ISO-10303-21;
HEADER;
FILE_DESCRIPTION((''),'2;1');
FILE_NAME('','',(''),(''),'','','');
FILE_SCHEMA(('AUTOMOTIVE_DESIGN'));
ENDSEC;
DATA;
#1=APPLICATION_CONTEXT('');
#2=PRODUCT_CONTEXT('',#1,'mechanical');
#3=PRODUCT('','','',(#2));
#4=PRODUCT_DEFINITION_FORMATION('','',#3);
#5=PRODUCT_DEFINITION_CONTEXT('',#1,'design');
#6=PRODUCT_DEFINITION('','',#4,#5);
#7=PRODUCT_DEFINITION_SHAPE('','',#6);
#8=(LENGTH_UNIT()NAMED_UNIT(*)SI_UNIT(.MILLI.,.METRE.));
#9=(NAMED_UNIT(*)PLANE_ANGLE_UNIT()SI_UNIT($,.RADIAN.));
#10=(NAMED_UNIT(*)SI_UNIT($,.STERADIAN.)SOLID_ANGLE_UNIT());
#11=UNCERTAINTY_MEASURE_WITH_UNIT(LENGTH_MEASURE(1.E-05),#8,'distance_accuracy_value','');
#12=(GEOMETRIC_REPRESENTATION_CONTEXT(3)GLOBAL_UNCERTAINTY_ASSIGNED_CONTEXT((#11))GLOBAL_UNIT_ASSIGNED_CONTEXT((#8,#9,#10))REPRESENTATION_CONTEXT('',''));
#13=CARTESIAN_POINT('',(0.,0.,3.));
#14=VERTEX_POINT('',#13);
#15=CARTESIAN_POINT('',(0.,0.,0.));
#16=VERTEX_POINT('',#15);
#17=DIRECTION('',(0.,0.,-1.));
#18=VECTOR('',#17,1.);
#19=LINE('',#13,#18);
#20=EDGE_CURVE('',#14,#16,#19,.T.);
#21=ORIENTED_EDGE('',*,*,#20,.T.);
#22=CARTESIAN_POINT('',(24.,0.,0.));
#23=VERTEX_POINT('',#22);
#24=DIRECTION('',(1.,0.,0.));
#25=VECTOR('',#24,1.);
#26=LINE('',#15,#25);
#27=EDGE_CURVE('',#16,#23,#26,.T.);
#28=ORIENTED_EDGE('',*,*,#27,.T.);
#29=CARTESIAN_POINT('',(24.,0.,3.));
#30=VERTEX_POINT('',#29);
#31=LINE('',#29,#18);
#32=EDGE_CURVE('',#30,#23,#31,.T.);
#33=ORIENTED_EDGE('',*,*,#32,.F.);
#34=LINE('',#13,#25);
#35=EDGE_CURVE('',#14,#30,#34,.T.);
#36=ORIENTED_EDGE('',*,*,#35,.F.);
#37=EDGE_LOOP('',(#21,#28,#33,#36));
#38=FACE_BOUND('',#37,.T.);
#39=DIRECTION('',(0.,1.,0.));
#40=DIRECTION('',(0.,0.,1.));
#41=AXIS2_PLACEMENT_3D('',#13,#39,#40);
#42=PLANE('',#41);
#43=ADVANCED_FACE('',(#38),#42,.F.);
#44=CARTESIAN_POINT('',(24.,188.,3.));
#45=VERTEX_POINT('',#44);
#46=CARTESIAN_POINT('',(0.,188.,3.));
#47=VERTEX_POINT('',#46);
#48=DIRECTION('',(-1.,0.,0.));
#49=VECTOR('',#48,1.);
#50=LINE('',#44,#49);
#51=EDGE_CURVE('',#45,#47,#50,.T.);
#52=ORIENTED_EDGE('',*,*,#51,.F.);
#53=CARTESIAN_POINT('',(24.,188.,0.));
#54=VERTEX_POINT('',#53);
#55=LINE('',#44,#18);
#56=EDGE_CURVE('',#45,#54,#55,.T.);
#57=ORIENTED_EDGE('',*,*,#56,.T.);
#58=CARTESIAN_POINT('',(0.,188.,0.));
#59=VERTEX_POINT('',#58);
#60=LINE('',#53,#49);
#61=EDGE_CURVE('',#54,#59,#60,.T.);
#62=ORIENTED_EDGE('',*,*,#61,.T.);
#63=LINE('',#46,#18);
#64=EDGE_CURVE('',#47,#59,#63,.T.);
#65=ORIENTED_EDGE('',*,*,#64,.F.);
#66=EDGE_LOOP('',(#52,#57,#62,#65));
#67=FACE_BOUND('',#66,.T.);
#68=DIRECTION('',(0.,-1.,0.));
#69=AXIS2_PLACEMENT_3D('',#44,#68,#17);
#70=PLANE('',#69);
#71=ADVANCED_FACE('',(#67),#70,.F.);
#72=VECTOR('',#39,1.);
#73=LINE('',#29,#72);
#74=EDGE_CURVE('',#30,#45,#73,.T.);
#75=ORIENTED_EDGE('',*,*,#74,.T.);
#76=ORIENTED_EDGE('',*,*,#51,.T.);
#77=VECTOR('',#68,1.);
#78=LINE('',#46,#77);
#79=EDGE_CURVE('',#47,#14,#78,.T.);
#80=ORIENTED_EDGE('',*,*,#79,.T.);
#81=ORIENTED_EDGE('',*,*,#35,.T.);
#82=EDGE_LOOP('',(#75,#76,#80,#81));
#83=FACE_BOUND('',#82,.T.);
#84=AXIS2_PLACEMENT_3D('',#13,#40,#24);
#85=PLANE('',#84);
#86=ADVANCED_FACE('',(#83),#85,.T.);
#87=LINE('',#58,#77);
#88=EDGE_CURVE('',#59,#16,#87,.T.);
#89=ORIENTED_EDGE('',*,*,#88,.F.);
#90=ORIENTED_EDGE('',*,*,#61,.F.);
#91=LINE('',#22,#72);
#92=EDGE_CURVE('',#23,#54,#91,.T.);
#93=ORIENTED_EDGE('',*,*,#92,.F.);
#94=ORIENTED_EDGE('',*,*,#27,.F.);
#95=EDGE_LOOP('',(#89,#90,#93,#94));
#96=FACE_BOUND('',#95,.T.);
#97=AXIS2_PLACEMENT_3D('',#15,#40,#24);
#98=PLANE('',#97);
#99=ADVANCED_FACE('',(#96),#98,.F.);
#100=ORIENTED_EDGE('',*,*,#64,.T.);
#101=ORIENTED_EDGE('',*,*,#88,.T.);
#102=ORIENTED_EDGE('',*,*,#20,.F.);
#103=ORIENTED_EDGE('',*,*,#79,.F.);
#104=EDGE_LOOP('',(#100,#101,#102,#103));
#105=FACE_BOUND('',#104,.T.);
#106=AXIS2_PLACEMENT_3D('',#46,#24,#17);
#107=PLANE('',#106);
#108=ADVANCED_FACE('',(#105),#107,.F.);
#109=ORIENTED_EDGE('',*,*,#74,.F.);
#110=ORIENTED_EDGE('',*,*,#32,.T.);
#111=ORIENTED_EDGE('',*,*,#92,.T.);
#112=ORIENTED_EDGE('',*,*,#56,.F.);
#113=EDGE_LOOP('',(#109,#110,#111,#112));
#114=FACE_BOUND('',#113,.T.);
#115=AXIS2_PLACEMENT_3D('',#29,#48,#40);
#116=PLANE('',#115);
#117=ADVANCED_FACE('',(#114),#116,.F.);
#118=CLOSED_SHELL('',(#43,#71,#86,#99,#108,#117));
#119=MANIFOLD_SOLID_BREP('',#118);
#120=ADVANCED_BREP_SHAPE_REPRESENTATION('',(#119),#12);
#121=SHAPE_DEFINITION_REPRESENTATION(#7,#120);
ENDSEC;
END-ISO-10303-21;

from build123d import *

# Parameters (mm, degrees)
SKETCH_1_W         = 24
SKETCH_1_H         = 188
BLOCKEXTRUDE_DEPTH = 3


with BuildPart() as part:
    # 草图1 → BlockExtrude (new body)
    with BuildSketch(Plane.XY):
        with Locations((12, 94)):
            Rectangle(SKETCH_1_W, SKETCH_1_H)
    extrude(amount=BLOCKEXTRUDE_DEPTH)


solid = part.part
